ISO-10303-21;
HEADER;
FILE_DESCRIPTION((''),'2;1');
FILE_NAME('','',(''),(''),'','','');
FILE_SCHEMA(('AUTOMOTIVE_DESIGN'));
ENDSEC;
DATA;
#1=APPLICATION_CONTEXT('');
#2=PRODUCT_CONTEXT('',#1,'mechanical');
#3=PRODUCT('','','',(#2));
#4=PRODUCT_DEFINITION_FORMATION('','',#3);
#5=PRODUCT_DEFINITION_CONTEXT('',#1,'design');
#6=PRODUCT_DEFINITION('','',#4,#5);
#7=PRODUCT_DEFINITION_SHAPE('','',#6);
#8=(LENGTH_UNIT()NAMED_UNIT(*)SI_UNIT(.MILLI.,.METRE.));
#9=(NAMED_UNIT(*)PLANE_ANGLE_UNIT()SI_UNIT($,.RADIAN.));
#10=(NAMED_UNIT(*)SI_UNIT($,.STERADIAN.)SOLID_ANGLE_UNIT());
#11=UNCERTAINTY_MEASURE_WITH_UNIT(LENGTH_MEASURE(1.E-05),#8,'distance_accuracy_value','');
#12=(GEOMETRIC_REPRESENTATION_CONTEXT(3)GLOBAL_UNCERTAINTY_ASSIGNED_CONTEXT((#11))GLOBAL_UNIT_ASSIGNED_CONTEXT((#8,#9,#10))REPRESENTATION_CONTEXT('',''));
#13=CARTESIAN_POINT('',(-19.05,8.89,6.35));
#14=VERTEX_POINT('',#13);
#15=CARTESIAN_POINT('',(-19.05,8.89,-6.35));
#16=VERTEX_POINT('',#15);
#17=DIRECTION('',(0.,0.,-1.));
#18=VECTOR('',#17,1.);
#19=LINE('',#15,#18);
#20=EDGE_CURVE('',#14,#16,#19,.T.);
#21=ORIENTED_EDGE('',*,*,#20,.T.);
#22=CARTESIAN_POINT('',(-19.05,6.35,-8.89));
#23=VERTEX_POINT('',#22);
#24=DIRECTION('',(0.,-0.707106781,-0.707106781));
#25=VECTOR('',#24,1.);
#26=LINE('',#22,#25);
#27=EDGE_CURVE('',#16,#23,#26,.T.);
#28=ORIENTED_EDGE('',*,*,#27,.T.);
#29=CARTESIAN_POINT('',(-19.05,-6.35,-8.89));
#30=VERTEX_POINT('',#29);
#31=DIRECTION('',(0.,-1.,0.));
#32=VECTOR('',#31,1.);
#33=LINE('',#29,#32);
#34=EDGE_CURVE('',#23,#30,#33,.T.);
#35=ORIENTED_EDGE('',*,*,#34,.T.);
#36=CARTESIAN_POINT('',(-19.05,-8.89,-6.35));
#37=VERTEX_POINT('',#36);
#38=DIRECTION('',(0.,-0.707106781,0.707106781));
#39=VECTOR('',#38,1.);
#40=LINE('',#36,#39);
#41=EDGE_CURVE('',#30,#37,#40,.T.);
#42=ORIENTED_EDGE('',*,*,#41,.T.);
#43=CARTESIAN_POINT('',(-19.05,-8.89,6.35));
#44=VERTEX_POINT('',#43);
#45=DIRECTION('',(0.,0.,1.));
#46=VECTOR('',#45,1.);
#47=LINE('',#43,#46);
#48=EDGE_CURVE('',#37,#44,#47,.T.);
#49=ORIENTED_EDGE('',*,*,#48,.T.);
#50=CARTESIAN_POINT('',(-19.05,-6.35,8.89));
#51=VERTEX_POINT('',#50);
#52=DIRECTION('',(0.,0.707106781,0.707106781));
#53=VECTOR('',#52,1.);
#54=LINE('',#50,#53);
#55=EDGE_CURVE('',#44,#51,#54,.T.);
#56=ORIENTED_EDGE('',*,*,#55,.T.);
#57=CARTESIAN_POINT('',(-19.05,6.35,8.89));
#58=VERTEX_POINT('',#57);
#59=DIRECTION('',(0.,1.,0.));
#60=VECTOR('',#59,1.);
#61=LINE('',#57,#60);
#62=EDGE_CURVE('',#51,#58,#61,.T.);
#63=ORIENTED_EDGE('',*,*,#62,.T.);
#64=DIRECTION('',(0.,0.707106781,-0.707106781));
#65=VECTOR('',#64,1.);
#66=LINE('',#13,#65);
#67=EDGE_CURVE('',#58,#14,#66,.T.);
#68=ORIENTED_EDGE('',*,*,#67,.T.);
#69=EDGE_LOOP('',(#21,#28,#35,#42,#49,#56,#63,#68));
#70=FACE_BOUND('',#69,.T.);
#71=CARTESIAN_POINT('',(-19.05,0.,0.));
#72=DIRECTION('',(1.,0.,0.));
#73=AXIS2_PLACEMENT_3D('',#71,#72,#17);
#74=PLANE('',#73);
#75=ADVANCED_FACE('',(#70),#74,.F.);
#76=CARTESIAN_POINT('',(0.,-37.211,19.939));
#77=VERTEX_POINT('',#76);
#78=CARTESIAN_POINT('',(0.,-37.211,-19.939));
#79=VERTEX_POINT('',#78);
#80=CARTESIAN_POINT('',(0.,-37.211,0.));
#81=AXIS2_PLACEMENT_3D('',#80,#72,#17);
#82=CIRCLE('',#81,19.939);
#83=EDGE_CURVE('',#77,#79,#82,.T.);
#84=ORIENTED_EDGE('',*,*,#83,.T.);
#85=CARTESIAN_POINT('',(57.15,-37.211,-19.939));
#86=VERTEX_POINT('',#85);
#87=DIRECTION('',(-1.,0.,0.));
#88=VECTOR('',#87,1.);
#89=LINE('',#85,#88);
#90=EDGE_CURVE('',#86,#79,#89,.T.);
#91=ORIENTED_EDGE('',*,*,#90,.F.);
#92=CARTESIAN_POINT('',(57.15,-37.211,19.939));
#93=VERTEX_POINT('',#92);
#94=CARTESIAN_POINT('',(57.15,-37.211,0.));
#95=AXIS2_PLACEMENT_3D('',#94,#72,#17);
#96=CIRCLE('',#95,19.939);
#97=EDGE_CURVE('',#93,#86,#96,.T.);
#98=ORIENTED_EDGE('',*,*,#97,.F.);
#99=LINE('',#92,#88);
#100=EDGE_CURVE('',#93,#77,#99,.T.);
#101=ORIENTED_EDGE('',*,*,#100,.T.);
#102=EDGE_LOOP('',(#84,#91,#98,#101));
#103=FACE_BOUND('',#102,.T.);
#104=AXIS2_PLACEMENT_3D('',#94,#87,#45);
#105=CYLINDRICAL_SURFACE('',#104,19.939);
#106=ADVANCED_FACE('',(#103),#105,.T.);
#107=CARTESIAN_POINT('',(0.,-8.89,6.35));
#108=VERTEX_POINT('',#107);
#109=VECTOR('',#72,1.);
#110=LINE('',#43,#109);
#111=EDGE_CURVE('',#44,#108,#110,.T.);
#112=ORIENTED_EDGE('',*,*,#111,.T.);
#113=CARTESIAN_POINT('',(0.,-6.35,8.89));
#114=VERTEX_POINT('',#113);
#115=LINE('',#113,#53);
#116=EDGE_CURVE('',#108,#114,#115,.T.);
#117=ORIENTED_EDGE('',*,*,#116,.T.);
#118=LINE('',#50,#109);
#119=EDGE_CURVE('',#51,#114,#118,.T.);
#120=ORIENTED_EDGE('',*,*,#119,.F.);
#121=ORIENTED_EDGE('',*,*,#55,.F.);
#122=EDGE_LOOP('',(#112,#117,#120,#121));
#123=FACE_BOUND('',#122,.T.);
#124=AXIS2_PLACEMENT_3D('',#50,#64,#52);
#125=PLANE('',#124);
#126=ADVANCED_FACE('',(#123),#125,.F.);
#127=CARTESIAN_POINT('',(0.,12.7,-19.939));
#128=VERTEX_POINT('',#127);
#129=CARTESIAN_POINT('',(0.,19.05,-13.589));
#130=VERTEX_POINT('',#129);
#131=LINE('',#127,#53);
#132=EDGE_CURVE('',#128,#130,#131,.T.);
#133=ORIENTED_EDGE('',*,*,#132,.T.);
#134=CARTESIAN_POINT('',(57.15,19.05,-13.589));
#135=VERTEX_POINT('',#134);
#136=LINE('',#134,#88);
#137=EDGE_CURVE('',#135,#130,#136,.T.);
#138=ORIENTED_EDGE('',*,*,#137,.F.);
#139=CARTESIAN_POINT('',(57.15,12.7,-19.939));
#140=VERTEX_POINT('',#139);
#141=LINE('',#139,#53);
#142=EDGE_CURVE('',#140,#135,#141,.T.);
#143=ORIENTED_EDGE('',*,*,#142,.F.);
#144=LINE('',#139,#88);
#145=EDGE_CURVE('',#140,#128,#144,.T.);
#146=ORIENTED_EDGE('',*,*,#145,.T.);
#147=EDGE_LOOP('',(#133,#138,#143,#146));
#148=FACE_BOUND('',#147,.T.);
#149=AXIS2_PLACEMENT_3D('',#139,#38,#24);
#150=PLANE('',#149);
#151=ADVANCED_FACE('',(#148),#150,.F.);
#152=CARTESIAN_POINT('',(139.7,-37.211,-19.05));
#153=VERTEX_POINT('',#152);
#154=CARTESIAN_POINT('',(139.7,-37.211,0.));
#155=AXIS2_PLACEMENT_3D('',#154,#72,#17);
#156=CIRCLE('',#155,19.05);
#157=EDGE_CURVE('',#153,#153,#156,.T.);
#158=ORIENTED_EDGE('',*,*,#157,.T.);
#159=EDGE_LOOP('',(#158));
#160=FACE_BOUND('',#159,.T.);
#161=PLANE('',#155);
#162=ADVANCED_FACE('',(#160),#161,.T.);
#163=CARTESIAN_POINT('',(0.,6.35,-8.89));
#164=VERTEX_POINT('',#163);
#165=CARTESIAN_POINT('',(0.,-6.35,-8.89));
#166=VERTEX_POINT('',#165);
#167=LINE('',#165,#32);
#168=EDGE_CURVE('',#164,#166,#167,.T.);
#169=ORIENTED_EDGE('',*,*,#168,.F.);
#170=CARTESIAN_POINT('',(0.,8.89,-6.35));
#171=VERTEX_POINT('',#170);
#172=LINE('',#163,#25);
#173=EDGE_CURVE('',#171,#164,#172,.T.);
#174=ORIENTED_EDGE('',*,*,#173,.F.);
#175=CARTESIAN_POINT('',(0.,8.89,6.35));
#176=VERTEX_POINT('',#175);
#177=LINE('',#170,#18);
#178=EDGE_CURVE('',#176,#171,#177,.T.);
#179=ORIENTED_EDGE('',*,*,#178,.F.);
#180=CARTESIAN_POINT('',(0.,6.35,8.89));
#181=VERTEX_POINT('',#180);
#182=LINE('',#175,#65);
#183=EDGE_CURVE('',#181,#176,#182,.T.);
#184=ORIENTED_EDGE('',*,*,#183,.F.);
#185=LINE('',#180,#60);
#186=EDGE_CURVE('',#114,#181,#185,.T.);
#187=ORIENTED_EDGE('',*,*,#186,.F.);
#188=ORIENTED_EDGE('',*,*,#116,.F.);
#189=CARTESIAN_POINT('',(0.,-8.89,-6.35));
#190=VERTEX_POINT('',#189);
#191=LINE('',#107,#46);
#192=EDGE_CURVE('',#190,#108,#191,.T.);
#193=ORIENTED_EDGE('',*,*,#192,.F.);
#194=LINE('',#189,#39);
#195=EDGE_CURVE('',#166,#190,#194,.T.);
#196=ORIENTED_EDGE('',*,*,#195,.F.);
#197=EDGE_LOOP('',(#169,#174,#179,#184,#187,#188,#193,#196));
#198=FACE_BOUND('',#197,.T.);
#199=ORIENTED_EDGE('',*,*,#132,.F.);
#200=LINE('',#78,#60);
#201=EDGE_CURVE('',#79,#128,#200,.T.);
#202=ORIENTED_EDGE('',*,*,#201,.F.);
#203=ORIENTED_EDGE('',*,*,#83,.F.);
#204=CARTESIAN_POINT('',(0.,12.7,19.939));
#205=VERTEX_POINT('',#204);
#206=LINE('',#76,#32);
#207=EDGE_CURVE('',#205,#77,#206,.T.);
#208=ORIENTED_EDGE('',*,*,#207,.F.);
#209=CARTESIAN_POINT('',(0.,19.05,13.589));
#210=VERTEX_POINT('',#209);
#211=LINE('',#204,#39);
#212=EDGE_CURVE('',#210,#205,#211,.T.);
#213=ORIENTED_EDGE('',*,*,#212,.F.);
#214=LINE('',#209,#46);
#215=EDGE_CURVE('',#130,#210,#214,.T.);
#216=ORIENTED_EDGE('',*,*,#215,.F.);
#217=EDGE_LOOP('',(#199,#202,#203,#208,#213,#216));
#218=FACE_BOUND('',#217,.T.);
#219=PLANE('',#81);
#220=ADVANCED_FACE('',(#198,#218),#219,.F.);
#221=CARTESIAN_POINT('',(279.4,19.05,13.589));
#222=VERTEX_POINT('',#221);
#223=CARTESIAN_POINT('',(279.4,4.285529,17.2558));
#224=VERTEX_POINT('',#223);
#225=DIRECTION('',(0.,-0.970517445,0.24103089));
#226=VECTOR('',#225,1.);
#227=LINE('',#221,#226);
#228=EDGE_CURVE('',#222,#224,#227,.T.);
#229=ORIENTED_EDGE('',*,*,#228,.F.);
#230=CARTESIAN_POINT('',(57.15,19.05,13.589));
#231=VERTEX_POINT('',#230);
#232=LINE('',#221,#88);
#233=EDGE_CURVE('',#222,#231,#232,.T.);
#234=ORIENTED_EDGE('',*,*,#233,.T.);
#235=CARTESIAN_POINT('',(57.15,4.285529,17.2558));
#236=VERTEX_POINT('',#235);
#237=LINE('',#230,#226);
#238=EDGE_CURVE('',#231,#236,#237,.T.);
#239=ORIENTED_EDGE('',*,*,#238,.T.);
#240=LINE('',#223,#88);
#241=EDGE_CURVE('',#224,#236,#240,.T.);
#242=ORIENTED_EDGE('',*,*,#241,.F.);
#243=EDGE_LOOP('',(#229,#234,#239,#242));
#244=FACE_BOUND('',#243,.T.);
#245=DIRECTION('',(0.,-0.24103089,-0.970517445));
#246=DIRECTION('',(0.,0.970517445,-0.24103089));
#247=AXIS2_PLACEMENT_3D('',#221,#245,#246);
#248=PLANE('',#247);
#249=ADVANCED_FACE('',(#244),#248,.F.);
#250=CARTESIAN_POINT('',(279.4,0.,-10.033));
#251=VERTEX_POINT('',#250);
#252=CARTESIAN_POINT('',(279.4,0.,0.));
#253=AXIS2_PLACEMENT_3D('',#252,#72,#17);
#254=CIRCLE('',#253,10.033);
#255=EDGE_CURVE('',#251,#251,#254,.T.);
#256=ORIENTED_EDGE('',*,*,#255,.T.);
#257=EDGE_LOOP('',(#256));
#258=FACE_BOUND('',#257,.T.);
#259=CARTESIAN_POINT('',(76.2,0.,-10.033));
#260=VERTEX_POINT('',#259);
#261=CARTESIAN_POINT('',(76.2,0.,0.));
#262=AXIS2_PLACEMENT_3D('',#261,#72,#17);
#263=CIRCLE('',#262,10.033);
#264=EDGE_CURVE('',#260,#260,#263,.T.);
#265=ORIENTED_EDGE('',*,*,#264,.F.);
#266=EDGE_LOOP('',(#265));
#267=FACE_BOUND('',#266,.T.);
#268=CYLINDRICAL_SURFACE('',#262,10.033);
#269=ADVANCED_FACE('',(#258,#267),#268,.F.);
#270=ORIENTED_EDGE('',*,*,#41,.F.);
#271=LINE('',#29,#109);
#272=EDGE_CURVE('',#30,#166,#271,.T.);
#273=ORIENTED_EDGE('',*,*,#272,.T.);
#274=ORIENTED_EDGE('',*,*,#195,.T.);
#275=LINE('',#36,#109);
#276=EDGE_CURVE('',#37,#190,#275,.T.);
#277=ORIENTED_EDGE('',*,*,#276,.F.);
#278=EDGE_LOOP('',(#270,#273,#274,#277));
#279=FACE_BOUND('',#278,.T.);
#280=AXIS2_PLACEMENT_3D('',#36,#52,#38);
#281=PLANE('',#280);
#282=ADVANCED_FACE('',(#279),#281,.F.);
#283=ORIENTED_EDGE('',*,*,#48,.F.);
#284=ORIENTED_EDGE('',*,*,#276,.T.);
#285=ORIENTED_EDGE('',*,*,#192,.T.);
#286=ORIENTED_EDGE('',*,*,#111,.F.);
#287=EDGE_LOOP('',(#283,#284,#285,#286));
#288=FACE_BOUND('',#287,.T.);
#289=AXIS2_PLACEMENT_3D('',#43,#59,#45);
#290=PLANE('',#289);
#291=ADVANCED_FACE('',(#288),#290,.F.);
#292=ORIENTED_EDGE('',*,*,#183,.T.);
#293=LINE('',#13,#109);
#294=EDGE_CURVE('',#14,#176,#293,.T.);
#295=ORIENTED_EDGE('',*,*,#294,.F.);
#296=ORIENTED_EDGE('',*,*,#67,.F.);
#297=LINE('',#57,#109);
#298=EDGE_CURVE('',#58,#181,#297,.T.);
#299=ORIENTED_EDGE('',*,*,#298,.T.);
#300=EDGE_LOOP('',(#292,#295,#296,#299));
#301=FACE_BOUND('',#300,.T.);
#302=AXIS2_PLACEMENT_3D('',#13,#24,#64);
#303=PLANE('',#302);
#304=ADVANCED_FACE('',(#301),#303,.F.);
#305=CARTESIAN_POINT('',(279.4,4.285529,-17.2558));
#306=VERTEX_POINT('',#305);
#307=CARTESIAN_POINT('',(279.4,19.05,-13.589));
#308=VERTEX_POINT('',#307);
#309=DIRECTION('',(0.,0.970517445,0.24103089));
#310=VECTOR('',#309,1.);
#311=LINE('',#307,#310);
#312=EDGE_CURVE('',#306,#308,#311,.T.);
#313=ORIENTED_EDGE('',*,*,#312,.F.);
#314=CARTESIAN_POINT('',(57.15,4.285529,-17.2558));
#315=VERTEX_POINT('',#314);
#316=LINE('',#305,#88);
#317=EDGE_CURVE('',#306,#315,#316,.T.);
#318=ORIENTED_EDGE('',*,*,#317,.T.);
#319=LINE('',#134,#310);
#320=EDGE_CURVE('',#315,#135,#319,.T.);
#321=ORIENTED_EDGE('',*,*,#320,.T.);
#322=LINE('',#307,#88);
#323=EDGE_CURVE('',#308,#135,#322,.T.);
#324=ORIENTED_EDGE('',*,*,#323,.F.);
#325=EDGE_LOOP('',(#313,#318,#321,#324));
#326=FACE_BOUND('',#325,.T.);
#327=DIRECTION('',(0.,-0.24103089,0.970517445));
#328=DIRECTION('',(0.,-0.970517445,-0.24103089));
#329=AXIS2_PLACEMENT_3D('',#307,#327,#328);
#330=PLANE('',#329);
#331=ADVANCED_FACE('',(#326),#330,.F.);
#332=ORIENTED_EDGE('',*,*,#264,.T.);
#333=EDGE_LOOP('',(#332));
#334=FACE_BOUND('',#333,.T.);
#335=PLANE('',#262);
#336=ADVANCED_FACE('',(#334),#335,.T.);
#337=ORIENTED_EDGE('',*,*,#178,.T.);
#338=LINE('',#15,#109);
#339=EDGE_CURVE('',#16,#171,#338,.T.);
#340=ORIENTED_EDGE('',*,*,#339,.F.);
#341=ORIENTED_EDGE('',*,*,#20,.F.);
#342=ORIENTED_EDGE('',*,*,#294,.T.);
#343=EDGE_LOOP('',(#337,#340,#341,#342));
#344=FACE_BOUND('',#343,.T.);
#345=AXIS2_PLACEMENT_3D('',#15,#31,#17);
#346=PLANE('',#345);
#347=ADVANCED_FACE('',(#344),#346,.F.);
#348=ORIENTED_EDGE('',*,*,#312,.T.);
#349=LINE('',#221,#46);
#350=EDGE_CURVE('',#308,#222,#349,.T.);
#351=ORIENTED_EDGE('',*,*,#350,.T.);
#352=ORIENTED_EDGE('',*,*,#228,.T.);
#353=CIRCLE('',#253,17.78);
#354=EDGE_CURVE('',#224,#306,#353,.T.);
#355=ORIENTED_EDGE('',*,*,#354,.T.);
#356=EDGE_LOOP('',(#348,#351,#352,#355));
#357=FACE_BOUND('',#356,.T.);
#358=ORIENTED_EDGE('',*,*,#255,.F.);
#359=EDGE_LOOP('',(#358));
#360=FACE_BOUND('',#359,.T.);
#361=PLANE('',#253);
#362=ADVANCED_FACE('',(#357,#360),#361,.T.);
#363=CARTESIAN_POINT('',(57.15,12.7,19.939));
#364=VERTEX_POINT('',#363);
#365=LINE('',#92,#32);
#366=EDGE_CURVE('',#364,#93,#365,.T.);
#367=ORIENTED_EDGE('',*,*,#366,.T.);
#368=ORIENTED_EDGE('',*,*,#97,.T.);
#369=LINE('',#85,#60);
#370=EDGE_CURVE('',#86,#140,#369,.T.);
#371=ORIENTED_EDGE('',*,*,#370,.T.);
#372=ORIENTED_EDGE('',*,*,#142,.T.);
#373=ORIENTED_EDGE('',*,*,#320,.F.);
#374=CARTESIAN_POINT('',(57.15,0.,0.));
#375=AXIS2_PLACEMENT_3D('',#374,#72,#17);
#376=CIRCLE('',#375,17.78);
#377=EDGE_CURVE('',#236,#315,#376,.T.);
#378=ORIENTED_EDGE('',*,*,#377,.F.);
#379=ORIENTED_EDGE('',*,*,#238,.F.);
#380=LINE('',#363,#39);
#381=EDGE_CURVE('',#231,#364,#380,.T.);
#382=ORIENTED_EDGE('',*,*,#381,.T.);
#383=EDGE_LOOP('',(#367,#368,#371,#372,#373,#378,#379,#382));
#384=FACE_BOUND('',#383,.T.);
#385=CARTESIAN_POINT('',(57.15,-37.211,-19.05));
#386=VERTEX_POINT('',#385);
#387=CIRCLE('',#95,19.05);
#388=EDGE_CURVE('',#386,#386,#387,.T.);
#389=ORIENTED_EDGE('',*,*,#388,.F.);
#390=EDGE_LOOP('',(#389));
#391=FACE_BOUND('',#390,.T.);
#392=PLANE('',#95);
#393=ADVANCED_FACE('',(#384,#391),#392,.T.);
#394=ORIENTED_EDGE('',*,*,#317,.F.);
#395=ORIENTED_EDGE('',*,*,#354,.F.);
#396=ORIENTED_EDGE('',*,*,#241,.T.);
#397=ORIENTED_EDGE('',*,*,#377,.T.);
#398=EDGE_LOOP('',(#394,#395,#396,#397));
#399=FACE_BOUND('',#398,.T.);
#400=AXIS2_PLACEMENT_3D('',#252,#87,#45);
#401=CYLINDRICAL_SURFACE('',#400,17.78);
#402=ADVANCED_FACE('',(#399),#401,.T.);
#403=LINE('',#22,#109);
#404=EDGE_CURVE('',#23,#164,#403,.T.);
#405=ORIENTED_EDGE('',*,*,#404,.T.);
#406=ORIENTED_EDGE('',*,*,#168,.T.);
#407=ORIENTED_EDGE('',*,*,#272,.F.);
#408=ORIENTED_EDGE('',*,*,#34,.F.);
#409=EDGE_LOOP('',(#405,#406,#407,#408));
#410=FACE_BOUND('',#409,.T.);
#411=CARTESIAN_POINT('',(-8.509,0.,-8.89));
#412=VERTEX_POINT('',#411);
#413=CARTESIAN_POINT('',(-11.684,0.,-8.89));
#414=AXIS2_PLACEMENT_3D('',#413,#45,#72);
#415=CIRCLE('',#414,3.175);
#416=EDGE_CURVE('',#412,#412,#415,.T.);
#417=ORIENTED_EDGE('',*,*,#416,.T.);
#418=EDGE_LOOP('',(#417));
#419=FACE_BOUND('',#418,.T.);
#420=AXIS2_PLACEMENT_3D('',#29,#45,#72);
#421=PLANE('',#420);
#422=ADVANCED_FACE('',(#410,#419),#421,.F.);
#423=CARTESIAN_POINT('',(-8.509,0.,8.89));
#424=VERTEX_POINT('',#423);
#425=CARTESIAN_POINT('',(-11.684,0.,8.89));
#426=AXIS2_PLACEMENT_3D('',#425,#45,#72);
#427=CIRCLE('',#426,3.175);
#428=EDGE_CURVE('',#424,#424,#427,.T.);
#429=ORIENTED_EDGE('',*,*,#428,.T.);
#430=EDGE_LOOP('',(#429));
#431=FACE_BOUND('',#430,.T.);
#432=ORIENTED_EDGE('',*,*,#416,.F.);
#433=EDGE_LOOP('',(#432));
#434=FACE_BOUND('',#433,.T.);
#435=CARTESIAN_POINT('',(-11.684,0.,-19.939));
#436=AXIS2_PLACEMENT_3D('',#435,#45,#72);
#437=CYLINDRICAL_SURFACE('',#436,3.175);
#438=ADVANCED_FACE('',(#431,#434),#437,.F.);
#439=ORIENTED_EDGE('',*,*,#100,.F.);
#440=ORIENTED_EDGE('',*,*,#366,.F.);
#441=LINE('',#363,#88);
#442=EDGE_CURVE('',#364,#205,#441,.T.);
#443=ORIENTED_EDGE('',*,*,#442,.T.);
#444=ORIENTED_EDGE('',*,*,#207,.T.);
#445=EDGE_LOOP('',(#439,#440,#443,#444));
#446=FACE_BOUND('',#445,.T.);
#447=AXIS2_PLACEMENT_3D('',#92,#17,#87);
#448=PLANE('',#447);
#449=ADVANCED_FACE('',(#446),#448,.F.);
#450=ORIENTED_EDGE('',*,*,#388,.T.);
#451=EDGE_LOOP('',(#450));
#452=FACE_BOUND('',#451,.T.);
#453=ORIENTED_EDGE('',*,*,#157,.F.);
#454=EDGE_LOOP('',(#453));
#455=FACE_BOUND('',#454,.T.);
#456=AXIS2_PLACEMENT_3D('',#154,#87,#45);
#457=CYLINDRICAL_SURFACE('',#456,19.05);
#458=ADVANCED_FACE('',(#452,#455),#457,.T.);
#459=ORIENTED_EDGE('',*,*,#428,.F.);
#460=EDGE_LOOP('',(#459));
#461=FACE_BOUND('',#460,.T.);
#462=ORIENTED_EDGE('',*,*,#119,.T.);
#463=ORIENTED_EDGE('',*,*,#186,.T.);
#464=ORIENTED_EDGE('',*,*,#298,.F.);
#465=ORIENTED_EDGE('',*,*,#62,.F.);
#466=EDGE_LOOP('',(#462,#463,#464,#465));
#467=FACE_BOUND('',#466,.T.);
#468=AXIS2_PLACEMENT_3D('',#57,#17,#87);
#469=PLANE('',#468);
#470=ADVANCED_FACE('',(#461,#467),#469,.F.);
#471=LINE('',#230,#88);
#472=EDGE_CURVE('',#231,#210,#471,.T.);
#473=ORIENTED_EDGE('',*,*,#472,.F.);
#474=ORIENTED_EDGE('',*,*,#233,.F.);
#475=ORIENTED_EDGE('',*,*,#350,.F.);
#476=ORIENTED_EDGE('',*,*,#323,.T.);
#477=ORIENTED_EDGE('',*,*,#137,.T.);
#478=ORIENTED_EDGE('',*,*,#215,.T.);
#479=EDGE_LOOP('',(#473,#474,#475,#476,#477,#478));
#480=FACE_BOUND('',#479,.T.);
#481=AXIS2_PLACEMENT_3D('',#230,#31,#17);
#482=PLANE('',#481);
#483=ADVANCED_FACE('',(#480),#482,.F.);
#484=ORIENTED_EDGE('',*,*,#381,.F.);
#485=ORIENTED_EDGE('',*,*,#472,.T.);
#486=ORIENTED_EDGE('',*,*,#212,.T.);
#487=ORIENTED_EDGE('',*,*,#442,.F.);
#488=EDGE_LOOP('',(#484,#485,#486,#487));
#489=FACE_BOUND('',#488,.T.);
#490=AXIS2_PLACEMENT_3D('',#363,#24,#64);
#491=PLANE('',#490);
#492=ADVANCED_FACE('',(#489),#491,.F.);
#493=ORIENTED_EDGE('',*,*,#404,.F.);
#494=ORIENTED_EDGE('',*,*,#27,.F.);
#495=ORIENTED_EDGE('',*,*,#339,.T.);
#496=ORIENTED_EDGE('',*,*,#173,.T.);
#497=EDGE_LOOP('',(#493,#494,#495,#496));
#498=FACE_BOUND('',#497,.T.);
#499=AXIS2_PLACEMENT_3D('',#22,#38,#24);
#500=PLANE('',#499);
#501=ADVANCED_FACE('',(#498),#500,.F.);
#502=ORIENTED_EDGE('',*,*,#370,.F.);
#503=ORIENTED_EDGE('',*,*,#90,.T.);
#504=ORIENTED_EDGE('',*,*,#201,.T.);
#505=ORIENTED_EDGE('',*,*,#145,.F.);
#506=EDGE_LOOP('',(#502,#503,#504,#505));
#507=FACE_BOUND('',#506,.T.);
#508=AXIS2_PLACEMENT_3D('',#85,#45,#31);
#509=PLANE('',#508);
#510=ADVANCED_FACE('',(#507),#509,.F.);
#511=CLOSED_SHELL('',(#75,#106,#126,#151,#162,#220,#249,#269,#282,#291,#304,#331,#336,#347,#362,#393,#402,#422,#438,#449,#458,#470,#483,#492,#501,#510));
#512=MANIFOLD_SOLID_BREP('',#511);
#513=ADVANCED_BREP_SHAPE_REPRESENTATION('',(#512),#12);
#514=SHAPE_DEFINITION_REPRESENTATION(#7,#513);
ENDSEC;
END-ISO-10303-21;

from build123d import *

# Parameters (mm, degrees)
BOSS_EXTRUDE1_DEPTH = 57.15
SKETCH2_R           = 19.05
BOSS_EXTRUDE2_DEPTH = 82.55
BOSS_EXTRUDE3_DEPTH = 19.05
SKETCH4_R           = 3.175
CUT_EXTRUDE1_DEPTH  = 154.666273922
BOSS_EXTRUDE4_DEPTH = 222.25
SKETCH6_R           = 10.033
CUT_EXTRUDE2_DEPTH  = 203.2


with BuildPart() as part:
    # Sketch1 → Boss-Extrude1 (new body)
    with BuildSketch(Plane(origin=(0, 0, 0), x_dir=(0, 0, -1), z_dir=(1, 0, 0))):
        with BuildLine():
            Line((-13.589, 19.05), (13.589, 19.05))
            Line((13.589, 19.05), (19.939, 12.7))
            Line((19.939, 12.7), (19.939, -37.211))
            ThreePointArc((19.939, -37.211), (0, -57.15), (-19.939, -37.211))
            Line((-19.939, -37.211), (-19.939, 12.7))
            Line((-19.939, 12.7), (-13.589, 19.05))
        make_face()
    extrude(amount=BOSS_EXTRUDE1_DEPTH)

    # Sketch2 → Boss-Extrude2 (add)
    with BuildSketch(Plane(origin=(57.15, 0, 0), x_dir=(0, 0, -1), z_dir=(1, 0, 0))):
        with Locations((0, -37.211)):
            Circle(SKETCH2_R)
    extrude(amount=BOSS_EXTRUDE2_DEPTH)

    # Sketch3 → Boss-Extrude3 (add)
    with BuildSketch(Plane.ZY):
        Polygon((-6.35, 8.89), (6.35, 8.89), (8.89, 6.35), (8.89, -6.35), (6.35, -8.89), (-6.35, -8.89), (-8.89, -6.35), (-8.89, 6.35), align=None)
    extrude(amount=BOSS_EXTRUDE3_DEPTH)

    # Sketch4 → Cut-Extrude1 (cut, through all)
    with BuildSketch(Plane.XY.offset(8.89)):
        with Locations((-11.684, 0)):
            Circle(SKETCH4_R)
    extrude(amount=-CUT_EXTRUDE1_DEPTH, mode=Mode.SUBTRACT)

    # Sketch5 → Boss-Extrude4 (add)
    with BuildSketch(Plane(origin=(57.15, 0, 0), x_dir=(0, 0, -1), z_dir=(1, 0, 0))):
        with BuildLine():
            Line((-13.589, 19.05), (13.589, 19.05))
            Line((13.589, 19.05), (17.255800165, 4.285529215))
            ThreePointArc((17.255800165, 4.285529215), (0, -17.78), (-17.255800165, 4.285529215))
            Line((-17.255800165, 4.285529215), (-13.589, 19.05))
        make_face()
    extrude(amount=BOSS_EXTRUDE4_DEPTH)

    # Sketch6 → Cut-Extrude2 (cut)
    with BuildSketch(Plane(origin=(279.4, 0, 0), x_dir=(0, 0, -1), z_dir=(1, 0, 0))):
        Circle(SKETCH6_R)
    extrude(amount=-CUT_EXTRUDE2_DEPTH, mode=Mode.SUBTRACT)


solid = part.part
